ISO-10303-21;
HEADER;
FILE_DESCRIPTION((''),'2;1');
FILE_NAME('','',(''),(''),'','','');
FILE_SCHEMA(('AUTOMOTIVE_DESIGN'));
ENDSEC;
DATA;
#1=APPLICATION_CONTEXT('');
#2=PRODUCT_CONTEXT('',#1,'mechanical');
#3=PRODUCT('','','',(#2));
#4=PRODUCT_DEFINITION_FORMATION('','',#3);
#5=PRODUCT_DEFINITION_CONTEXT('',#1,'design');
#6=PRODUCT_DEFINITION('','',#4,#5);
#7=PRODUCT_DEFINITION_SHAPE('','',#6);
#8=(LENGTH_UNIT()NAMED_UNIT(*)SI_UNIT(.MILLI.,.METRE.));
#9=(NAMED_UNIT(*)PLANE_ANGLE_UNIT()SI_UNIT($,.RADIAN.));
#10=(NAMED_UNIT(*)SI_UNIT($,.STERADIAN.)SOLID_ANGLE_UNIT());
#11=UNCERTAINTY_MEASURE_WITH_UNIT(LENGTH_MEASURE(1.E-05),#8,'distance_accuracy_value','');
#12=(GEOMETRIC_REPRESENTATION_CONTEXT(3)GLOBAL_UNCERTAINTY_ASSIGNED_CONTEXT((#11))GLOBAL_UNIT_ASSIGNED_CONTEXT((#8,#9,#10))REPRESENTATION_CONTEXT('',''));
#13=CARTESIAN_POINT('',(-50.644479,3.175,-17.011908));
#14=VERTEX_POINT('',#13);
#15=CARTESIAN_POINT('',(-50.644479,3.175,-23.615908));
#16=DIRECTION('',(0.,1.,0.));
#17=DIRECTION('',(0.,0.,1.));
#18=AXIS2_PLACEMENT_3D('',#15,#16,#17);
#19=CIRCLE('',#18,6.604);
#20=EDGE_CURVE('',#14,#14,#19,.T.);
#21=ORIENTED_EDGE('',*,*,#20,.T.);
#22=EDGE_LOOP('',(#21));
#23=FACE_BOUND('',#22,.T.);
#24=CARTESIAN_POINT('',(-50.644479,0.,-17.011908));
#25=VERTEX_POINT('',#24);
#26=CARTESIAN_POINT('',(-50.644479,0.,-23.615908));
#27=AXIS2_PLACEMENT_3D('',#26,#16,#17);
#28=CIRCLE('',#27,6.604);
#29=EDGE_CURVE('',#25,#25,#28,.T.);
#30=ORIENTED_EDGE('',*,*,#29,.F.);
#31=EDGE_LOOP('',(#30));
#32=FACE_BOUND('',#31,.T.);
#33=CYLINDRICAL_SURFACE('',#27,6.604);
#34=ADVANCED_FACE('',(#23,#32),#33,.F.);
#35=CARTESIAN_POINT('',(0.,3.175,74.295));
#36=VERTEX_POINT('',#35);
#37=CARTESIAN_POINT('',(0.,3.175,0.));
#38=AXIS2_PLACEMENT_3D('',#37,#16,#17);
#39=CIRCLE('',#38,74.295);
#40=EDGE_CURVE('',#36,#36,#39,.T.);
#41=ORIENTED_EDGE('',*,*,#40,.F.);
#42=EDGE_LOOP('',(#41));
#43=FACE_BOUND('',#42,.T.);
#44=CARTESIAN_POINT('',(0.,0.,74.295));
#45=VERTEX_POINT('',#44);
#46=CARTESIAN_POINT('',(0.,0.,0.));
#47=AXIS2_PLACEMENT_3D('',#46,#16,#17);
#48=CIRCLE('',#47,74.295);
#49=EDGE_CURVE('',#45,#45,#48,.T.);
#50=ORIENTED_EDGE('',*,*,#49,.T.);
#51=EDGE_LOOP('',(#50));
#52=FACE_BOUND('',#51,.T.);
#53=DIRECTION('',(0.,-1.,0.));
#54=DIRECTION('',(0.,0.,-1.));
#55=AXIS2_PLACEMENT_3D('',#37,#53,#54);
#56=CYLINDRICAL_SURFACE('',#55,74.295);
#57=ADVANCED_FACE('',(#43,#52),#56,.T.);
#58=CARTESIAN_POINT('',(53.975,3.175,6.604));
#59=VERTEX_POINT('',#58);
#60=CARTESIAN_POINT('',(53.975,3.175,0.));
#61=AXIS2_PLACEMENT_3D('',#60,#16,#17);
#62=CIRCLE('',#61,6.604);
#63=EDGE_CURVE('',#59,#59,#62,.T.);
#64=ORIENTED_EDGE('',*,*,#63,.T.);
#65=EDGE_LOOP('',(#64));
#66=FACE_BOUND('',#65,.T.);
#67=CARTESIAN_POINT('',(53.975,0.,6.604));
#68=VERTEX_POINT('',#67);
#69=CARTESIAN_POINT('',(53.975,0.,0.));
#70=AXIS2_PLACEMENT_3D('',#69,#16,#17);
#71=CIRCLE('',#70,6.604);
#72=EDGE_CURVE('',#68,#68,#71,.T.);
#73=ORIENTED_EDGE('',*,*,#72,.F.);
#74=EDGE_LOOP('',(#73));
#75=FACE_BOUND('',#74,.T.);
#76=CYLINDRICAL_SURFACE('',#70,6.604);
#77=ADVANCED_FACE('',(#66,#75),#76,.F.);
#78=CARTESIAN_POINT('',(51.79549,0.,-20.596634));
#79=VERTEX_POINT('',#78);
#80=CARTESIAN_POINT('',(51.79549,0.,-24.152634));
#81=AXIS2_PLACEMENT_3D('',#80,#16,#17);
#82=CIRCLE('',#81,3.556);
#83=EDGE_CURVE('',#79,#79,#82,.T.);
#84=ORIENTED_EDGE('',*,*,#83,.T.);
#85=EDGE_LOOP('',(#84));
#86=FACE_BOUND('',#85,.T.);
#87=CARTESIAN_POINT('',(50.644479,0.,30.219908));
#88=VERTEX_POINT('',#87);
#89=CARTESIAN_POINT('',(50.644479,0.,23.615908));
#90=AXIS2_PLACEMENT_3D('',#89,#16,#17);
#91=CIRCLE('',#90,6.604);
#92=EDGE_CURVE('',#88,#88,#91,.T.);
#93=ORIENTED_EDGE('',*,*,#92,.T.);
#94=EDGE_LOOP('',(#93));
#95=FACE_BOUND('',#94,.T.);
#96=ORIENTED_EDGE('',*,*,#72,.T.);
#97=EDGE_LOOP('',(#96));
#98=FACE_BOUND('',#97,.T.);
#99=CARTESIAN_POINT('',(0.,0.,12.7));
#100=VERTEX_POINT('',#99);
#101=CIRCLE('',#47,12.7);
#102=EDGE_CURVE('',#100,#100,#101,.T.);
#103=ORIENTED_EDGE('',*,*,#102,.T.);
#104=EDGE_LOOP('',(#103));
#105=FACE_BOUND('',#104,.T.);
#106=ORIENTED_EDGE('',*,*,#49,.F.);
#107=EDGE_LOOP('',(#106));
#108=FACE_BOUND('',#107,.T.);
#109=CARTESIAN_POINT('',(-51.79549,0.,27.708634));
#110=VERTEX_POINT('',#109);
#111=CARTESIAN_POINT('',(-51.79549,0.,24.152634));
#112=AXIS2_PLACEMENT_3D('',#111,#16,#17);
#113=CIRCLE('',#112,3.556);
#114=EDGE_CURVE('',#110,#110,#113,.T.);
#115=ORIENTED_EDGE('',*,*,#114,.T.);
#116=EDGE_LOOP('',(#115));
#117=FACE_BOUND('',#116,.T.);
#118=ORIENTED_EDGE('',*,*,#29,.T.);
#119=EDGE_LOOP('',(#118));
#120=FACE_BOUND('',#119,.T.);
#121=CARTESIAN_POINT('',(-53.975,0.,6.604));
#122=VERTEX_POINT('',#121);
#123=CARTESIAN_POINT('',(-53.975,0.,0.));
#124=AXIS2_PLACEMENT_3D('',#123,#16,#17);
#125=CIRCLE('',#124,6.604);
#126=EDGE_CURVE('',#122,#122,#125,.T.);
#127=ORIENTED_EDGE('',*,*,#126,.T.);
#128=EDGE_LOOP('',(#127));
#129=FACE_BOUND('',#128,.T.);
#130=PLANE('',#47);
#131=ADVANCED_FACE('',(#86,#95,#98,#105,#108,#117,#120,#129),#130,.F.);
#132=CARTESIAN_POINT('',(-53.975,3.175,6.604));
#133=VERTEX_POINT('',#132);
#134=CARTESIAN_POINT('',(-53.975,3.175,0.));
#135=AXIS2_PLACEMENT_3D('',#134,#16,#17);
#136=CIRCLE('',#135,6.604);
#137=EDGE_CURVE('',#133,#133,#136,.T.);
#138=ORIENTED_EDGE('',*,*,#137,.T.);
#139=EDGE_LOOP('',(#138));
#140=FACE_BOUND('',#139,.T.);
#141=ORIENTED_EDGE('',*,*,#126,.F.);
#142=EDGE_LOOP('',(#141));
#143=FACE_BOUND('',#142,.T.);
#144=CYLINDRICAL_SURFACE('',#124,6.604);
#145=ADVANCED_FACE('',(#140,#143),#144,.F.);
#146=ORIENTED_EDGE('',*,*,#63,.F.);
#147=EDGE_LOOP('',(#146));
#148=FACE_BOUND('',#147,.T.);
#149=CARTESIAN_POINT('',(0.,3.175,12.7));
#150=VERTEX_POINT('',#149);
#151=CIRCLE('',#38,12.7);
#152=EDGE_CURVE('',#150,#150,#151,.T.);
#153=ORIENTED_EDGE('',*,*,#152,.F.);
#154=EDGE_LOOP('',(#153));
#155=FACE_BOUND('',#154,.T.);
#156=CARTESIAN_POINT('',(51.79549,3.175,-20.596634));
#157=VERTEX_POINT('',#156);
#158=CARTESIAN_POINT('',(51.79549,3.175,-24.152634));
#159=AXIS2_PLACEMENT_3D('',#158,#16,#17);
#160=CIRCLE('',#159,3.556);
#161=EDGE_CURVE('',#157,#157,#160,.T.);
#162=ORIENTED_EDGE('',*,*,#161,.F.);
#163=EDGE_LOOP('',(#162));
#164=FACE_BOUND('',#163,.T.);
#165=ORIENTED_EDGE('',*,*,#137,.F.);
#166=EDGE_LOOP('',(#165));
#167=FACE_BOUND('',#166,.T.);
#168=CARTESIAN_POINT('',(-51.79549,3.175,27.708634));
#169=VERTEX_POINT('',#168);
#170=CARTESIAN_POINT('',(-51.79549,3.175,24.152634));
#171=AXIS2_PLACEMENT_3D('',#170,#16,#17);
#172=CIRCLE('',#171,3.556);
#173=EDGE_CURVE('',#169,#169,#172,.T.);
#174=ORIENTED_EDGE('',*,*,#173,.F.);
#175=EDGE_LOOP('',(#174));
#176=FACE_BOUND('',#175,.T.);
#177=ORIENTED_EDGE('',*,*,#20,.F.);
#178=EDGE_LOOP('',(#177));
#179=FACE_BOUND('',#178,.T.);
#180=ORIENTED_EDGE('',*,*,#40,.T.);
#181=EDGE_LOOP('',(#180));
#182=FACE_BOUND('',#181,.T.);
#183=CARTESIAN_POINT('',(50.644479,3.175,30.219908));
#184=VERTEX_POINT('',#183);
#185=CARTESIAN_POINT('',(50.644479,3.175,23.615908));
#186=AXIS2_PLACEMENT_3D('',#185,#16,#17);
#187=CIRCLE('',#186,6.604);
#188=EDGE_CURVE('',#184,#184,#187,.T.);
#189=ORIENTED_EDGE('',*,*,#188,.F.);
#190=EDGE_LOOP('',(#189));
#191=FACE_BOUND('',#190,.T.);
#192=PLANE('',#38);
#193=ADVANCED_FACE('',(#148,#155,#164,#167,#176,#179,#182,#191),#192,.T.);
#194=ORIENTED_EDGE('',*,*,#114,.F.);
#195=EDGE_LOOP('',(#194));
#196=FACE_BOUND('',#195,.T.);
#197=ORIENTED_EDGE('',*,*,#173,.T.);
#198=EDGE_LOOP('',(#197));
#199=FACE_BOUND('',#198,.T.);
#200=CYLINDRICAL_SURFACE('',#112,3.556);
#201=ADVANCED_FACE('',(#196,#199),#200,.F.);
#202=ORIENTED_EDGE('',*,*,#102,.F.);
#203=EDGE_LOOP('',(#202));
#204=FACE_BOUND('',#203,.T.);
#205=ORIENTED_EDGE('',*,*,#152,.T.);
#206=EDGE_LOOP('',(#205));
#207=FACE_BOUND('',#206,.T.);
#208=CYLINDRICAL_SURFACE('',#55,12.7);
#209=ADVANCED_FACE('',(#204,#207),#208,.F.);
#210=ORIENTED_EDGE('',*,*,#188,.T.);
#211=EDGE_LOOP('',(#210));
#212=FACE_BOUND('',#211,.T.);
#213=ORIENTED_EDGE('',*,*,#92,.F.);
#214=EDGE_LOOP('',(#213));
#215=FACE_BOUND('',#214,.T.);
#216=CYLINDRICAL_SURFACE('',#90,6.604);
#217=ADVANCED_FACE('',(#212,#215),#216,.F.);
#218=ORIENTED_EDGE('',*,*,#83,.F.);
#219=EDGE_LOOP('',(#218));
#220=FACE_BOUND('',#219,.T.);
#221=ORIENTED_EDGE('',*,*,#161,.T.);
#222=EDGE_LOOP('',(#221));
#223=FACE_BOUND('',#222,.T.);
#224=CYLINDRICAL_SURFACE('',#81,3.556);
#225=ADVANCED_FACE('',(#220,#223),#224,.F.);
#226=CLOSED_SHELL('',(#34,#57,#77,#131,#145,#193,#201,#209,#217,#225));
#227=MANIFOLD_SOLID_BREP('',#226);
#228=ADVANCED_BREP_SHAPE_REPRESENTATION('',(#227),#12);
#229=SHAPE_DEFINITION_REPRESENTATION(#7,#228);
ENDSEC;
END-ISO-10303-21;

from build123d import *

# Parameters (mm, degrees)
SKETCH1_R           = 74.295
SKETCH1_R_2         = 12.7
BOSS_EXTRUDE1_DEPTH = 3.175
SKETCH2_R           = 6.604
SKETCH2_R_2         = 3.556
CUT_EXTRUDE1_DEPTH  = 3.175


with BuildPart() as part:
    # Sketch1 → Boss-Extrude1 (new body)
    with BuildSketch(Plane(origin=(0, 0, 0), x_dir=(1, 0, 0), z_dir=(0, 1, 0))):
        with Locations(Location((0, 0, 0), (0, 0, 270))):
            Circle(SKETCH1_R)
        with Locations(Location((0, 0, 0), (0, 0, 270))):
            Circle(SKETCH1_R_2, mode=Mode.SUBTRACT)
    extrude(amount=BOSS_EXTRUDE1_DEPTH)

    # Sketch2 → Cut-Extrude1 (cut)
    with BuildSketch(Plane(origin=(0, 3.175, 0), x_dir=(1, 0, 0), z_dir=(0, 1, 0))):
        with Locations(Location((-53.975, 0, 0), (0, 0, 270))):
            Circle(SKETCH2_R)
        with Locations(Location((53.975, 0, 0), (0, 0, 270))):
            Circle(SKETCH2_R)
        with Locations(Location((-51.795490029, -24.152633658, 0), (0, 0, 270))):
            Circle(SKETCH2_R_2)
        with Locations(Location((51.795490029, 24.152633658, 0), (0, 0, 270))):
            Circle(SKETCH2_R_2)
        with Locations(Location((50.64447914, -23.615908466, 0), (0, 0, 270))):
            Circle(SKETCH2_R)
        with Locations(Location((-50.64447914, 23.615908466, 0), (0, 0, 270))):
            Circle(SKETCH2_R)
    extrude(amount=-CUT_EXTRUDE1_DEPTH, mode=Mode.SUBTRACT)


solid = part.part
